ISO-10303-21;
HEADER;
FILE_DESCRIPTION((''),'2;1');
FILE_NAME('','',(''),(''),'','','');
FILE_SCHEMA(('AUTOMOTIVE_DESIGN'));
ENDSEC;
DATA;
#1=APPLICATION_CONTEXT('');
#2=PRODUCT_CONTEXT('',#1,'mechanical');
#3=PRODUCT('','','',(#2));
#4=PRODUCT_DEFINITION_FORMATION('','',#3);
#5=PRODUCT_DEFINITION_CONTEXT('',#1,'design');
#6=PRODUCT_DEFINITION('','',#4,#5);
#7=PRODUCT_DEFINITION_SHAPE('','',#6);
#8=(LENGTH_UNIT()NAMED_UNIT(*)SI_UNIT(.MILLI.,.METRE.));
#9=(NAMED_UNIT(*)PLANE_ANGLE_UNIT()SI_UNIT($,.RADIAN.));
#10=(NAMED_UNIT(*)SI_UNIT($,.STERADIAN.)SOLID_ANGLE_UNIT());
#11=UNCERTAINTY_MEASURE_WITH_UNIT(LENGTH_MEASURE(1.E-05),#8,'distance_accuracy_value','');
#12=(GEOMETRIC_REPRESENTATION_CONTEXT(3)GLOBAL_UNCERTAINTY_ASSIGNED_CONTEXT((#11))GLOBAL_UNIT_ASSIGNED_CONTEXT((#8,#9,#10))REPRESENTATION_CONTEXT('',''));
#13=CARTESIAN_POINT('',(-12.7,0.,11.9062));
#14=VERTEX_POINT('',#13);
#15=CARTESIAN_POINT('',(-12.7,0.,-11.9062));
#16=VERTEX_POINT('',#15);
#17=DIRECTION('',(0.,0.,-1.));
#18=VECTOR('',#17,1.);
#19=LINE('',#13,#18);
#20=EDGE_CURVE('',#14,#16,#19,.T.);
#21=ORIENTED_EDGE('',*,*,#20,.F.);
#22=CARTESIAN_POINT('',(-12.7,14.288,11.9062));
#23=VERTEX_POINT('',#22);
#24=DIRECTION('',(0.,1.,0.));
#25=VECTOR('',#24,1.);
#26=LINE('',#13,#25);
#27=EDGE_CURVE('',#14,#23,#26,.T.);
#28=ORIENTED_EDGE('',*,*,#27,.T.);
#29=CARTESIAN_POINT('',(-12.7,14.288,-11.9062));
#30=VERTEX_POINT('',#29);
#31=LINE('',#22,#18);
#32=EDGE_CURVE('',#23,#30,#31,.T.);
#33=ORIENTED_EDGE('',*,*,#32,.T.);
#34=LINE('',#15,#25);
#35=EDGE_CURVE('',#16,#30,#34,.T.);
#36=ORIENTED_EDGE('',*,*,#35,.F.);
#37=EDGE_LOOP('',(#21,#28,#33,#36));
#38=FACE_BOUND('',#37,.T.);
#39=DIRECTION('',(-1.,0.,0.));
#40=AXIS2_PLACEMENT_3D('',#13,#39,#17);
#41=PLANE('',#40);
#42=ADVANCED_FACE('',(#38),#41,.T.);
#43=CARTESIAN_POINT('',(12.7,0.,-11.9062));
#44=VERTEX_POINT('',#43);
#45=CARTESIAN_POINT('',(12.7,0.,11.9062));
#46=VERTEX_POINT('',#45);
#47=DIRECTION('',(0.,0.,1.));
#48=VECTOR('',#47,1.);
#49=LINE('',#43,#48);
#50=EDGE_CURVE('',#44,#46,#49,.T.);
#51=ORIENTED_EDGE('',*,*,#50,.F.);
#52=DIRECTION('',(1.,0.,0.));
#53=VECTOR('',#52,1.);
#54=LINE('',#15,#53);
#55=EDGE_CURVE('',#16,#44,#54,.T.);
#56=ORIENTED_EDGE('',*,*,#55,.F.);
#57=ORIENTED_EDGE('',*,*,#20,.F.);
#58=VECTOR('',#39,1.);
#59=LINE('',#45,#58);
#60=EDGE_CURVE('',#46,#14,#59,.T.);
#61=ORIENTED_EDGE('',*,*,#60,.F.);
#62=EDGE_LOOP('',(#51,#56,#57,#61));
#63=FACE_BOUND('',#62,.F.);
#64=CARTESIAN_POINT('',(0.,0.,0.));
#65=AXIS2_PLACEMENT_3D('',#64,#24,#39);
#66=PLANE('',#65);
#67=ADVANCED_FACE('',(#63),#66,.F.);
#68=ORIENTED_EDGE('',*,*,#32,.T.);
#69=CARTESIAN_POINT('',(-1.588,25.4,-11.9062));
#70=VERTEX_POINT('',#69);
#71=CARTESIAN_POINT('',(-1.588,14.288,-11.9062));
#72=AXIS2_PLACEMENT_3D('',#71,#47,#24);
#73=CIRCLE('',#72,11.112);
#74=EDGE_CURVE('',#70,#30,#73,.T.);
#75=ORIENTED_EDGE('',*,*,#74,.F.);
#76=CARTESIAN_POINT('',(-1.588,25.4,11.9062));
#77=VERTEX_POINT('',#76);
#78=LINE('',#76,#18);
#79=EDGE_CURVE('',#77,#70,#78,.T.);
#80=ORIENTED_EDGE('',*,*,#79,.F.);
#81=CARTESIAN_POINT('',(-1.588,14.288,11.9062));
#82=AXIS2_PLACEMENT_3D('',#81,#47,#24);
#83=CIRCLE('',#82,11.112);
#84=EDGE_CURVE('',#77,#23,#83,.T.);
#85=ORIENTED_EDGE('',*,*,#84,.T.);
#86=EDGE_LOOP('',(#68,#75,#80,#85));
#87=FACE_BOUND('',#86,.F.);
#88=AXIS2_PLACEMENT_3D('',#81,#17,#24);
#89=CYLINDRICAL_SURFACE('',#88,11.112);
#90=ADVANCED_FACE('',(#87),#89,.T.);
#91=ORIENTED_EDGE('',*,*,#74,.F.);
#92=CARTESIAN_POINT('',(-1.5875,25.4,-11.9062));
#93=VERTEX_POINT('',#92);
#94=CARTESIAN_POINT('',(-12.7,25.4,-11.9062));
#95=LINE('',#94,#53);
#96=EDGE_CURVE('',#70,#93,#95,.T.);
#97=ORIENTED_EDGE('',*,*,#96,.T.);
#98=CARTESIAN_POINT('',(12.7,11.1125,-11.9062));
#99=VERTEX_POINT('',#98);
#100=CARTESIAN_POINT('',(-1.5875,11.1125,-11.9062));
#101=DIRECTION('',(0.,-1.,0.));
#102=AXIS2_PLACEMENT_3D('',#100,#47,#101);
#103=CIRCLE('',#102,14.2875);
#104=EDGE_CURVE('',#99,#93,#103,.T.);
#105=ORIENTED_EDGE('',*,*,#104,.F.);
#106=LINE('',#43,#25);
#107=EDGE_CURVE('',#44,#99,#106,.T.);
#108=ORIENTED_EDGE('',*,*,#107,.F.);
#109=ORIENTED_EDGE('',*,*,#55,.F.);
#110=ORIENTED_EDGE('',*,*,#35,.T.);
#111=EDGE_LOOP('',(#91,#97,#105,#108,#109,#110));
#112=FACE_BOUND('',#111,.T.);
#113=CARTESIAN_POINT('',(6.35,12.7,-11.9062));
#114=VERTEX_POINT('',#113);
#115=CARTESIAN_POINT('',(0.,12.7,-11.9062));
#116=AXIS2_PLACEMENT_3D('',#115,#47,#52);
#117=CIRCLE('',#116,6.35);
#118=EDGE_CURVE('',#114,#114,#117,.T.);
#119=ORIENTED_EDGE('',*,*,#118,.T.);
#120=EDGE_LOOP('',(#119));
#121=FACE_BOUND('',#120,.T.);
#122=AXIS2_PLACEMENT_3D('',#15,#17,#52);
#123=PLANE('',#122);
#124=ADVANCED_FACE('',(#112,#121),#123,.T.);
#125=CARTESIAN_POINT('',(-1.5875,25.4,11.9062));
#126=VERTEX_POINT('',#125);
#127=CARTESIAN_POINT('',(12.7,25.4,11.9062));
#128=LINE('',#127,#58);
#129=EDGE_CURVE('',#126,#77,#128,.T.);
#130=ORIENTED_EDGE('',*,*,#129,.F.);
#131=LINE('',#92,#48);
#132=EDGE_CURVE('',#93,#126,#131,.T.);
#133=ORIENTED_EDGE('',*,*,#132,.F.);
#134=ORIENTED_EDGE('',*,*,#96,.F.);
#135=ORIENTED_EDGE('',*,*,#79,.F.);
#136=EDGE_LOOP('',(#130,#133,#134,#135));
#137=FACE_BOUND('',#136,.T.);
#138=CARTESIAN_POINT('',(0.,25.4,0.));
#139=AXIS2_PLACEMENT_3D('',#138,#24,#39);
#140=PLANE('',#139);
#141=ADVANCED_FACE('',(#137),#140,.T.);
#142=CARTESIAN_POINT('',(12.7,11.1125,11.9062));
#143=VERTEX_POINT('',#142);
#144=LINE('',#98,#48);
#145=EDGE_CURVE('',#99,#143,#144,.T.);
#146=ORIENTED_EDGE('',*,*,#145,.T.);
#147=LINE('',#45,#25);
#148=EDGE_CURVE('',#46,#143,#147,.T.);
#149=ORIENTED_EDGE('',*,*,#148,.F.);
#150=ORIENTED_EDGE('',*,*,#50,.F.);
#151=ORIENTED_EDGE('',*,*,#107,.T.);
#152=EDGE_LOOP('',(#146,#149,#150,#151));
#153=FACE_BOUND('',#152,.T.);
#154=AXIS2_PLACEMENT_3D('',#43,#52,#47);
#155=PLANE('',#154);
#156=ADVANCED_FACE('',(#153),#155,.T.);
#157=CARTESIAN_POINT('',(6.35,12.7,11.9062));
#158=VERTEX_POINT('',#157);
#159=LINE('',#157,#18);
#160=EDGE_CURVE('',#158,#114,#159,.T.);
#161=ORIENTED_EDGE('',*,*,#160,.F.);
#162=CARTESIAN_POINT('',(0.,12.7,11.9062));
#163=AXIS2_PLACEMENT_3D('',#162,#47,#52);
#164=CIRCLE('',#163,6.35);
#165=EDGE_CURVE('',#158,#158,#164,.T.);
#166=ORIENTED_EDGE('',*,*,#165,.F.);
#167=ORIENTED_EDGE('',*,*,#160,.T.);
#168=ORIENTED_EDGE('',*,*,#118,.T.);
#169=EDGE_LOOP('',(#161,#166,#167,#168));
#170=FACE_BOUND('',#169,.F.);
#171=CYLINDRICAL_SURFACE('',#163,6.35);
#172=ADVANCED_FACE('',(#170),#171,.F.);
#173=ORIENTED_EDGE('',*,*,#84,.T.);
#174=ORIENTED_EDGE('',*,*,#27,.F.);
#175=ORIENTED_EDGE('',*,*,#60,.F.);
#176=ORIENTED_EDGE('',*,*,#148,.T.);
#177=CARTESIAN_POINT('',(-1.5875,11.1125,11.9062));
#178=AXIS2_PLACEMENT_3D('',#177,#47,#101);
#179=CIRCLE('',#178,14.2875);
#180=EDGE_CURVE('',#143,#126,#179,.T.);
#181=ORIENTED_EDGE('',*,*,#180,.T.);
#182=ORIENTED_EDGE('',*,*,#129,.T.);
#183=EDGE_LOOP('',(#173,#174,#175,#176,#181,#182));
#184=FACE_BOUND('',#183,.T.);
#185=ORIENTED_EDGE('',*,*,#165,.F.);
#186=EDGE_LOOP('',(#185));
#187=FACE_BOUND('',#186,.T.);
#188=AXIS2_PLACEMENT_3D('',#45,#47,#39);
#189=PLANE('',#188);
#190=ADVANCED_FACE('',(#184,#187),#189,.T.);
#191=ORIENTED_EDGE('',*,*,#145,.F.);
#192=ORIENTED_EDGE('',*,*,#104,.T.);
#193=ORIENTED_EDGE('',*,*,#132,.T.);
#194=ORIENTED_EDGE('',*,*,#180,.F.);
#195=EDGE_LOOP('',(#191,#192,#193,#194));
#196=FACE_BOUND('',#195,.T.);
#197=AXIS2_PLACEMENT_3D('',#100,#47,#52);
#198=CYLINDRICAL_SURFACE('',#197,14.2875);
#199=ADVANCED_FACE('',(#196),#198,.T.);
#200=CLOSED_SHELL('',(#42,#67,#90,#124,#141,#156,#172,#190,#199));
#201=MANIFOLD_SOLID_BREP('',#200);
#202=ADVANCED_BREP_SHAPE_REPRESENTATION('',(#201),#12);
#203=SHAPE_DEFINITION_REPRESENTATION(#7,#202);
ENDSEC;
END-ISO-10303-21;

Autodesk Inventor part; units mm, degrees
ref_plane "YZ Plane" through (0, 0, 0) normal (1, 0, 0) x (0, 1, 0)
ref_plane "XZ Plane" through (0, 0, 0) normal (0, 1, 0) x (-1, 0, 0)
ref_plane "XY Plane" through (0, 0, 0) normal (0, 0, 1) x (1, 0, 0)
sketch "Sketch1" plane through (0, 0, 0) normal (0, 1, 0) x (-1, 0, 0)
  line L0 (-12.7, 11.9062) -> (12.7, 11.9062)
  line L1 (12.7, 11.9062) -> (12.7, -11.9062)
  line L2 (12.7, -11.9062) -> (-12.7, -11.9062)
  line L3 (-12.7, -11.9062) -> (-12.7, 11.9062)
  point P0 (0, 0)
  point P1 (-12.7, 0)
  point P2 (0, 11.9062)
  dimension "d0" = 25.4
  dimension "d1" = 23.8125
extrude "Extrusion1" add sketch "Sketch1" along normal blind 25.4
sketch "Sketch2" plane through (-12.7, 0, 11.9062) normal (0, 0, 1) x (1, 0, 0)
  circle A0 centre (12.7, 12.7) radius 6.35
  line L0 (0, 0) -> (0, 25.4) projected
  line L1 (25.4, 0) -> (0, 0) projected
  point P0 (12.7, 0)
  point P1 (0, 12.7)
  point P2 (12.7, 0)
  dimension "d4" = 12.7
extrude "Extrusion2" cut sketch "Sketch2" against normal blind 50.8
fillet "Fillet1" radius 14.2875 1 edges at (12.7, 25.4, 0)
fillet "Fillet2" radius 11.1125 1 edges at (-12.7, 25.4, 0)
properties part number "Gounded Clevis"
